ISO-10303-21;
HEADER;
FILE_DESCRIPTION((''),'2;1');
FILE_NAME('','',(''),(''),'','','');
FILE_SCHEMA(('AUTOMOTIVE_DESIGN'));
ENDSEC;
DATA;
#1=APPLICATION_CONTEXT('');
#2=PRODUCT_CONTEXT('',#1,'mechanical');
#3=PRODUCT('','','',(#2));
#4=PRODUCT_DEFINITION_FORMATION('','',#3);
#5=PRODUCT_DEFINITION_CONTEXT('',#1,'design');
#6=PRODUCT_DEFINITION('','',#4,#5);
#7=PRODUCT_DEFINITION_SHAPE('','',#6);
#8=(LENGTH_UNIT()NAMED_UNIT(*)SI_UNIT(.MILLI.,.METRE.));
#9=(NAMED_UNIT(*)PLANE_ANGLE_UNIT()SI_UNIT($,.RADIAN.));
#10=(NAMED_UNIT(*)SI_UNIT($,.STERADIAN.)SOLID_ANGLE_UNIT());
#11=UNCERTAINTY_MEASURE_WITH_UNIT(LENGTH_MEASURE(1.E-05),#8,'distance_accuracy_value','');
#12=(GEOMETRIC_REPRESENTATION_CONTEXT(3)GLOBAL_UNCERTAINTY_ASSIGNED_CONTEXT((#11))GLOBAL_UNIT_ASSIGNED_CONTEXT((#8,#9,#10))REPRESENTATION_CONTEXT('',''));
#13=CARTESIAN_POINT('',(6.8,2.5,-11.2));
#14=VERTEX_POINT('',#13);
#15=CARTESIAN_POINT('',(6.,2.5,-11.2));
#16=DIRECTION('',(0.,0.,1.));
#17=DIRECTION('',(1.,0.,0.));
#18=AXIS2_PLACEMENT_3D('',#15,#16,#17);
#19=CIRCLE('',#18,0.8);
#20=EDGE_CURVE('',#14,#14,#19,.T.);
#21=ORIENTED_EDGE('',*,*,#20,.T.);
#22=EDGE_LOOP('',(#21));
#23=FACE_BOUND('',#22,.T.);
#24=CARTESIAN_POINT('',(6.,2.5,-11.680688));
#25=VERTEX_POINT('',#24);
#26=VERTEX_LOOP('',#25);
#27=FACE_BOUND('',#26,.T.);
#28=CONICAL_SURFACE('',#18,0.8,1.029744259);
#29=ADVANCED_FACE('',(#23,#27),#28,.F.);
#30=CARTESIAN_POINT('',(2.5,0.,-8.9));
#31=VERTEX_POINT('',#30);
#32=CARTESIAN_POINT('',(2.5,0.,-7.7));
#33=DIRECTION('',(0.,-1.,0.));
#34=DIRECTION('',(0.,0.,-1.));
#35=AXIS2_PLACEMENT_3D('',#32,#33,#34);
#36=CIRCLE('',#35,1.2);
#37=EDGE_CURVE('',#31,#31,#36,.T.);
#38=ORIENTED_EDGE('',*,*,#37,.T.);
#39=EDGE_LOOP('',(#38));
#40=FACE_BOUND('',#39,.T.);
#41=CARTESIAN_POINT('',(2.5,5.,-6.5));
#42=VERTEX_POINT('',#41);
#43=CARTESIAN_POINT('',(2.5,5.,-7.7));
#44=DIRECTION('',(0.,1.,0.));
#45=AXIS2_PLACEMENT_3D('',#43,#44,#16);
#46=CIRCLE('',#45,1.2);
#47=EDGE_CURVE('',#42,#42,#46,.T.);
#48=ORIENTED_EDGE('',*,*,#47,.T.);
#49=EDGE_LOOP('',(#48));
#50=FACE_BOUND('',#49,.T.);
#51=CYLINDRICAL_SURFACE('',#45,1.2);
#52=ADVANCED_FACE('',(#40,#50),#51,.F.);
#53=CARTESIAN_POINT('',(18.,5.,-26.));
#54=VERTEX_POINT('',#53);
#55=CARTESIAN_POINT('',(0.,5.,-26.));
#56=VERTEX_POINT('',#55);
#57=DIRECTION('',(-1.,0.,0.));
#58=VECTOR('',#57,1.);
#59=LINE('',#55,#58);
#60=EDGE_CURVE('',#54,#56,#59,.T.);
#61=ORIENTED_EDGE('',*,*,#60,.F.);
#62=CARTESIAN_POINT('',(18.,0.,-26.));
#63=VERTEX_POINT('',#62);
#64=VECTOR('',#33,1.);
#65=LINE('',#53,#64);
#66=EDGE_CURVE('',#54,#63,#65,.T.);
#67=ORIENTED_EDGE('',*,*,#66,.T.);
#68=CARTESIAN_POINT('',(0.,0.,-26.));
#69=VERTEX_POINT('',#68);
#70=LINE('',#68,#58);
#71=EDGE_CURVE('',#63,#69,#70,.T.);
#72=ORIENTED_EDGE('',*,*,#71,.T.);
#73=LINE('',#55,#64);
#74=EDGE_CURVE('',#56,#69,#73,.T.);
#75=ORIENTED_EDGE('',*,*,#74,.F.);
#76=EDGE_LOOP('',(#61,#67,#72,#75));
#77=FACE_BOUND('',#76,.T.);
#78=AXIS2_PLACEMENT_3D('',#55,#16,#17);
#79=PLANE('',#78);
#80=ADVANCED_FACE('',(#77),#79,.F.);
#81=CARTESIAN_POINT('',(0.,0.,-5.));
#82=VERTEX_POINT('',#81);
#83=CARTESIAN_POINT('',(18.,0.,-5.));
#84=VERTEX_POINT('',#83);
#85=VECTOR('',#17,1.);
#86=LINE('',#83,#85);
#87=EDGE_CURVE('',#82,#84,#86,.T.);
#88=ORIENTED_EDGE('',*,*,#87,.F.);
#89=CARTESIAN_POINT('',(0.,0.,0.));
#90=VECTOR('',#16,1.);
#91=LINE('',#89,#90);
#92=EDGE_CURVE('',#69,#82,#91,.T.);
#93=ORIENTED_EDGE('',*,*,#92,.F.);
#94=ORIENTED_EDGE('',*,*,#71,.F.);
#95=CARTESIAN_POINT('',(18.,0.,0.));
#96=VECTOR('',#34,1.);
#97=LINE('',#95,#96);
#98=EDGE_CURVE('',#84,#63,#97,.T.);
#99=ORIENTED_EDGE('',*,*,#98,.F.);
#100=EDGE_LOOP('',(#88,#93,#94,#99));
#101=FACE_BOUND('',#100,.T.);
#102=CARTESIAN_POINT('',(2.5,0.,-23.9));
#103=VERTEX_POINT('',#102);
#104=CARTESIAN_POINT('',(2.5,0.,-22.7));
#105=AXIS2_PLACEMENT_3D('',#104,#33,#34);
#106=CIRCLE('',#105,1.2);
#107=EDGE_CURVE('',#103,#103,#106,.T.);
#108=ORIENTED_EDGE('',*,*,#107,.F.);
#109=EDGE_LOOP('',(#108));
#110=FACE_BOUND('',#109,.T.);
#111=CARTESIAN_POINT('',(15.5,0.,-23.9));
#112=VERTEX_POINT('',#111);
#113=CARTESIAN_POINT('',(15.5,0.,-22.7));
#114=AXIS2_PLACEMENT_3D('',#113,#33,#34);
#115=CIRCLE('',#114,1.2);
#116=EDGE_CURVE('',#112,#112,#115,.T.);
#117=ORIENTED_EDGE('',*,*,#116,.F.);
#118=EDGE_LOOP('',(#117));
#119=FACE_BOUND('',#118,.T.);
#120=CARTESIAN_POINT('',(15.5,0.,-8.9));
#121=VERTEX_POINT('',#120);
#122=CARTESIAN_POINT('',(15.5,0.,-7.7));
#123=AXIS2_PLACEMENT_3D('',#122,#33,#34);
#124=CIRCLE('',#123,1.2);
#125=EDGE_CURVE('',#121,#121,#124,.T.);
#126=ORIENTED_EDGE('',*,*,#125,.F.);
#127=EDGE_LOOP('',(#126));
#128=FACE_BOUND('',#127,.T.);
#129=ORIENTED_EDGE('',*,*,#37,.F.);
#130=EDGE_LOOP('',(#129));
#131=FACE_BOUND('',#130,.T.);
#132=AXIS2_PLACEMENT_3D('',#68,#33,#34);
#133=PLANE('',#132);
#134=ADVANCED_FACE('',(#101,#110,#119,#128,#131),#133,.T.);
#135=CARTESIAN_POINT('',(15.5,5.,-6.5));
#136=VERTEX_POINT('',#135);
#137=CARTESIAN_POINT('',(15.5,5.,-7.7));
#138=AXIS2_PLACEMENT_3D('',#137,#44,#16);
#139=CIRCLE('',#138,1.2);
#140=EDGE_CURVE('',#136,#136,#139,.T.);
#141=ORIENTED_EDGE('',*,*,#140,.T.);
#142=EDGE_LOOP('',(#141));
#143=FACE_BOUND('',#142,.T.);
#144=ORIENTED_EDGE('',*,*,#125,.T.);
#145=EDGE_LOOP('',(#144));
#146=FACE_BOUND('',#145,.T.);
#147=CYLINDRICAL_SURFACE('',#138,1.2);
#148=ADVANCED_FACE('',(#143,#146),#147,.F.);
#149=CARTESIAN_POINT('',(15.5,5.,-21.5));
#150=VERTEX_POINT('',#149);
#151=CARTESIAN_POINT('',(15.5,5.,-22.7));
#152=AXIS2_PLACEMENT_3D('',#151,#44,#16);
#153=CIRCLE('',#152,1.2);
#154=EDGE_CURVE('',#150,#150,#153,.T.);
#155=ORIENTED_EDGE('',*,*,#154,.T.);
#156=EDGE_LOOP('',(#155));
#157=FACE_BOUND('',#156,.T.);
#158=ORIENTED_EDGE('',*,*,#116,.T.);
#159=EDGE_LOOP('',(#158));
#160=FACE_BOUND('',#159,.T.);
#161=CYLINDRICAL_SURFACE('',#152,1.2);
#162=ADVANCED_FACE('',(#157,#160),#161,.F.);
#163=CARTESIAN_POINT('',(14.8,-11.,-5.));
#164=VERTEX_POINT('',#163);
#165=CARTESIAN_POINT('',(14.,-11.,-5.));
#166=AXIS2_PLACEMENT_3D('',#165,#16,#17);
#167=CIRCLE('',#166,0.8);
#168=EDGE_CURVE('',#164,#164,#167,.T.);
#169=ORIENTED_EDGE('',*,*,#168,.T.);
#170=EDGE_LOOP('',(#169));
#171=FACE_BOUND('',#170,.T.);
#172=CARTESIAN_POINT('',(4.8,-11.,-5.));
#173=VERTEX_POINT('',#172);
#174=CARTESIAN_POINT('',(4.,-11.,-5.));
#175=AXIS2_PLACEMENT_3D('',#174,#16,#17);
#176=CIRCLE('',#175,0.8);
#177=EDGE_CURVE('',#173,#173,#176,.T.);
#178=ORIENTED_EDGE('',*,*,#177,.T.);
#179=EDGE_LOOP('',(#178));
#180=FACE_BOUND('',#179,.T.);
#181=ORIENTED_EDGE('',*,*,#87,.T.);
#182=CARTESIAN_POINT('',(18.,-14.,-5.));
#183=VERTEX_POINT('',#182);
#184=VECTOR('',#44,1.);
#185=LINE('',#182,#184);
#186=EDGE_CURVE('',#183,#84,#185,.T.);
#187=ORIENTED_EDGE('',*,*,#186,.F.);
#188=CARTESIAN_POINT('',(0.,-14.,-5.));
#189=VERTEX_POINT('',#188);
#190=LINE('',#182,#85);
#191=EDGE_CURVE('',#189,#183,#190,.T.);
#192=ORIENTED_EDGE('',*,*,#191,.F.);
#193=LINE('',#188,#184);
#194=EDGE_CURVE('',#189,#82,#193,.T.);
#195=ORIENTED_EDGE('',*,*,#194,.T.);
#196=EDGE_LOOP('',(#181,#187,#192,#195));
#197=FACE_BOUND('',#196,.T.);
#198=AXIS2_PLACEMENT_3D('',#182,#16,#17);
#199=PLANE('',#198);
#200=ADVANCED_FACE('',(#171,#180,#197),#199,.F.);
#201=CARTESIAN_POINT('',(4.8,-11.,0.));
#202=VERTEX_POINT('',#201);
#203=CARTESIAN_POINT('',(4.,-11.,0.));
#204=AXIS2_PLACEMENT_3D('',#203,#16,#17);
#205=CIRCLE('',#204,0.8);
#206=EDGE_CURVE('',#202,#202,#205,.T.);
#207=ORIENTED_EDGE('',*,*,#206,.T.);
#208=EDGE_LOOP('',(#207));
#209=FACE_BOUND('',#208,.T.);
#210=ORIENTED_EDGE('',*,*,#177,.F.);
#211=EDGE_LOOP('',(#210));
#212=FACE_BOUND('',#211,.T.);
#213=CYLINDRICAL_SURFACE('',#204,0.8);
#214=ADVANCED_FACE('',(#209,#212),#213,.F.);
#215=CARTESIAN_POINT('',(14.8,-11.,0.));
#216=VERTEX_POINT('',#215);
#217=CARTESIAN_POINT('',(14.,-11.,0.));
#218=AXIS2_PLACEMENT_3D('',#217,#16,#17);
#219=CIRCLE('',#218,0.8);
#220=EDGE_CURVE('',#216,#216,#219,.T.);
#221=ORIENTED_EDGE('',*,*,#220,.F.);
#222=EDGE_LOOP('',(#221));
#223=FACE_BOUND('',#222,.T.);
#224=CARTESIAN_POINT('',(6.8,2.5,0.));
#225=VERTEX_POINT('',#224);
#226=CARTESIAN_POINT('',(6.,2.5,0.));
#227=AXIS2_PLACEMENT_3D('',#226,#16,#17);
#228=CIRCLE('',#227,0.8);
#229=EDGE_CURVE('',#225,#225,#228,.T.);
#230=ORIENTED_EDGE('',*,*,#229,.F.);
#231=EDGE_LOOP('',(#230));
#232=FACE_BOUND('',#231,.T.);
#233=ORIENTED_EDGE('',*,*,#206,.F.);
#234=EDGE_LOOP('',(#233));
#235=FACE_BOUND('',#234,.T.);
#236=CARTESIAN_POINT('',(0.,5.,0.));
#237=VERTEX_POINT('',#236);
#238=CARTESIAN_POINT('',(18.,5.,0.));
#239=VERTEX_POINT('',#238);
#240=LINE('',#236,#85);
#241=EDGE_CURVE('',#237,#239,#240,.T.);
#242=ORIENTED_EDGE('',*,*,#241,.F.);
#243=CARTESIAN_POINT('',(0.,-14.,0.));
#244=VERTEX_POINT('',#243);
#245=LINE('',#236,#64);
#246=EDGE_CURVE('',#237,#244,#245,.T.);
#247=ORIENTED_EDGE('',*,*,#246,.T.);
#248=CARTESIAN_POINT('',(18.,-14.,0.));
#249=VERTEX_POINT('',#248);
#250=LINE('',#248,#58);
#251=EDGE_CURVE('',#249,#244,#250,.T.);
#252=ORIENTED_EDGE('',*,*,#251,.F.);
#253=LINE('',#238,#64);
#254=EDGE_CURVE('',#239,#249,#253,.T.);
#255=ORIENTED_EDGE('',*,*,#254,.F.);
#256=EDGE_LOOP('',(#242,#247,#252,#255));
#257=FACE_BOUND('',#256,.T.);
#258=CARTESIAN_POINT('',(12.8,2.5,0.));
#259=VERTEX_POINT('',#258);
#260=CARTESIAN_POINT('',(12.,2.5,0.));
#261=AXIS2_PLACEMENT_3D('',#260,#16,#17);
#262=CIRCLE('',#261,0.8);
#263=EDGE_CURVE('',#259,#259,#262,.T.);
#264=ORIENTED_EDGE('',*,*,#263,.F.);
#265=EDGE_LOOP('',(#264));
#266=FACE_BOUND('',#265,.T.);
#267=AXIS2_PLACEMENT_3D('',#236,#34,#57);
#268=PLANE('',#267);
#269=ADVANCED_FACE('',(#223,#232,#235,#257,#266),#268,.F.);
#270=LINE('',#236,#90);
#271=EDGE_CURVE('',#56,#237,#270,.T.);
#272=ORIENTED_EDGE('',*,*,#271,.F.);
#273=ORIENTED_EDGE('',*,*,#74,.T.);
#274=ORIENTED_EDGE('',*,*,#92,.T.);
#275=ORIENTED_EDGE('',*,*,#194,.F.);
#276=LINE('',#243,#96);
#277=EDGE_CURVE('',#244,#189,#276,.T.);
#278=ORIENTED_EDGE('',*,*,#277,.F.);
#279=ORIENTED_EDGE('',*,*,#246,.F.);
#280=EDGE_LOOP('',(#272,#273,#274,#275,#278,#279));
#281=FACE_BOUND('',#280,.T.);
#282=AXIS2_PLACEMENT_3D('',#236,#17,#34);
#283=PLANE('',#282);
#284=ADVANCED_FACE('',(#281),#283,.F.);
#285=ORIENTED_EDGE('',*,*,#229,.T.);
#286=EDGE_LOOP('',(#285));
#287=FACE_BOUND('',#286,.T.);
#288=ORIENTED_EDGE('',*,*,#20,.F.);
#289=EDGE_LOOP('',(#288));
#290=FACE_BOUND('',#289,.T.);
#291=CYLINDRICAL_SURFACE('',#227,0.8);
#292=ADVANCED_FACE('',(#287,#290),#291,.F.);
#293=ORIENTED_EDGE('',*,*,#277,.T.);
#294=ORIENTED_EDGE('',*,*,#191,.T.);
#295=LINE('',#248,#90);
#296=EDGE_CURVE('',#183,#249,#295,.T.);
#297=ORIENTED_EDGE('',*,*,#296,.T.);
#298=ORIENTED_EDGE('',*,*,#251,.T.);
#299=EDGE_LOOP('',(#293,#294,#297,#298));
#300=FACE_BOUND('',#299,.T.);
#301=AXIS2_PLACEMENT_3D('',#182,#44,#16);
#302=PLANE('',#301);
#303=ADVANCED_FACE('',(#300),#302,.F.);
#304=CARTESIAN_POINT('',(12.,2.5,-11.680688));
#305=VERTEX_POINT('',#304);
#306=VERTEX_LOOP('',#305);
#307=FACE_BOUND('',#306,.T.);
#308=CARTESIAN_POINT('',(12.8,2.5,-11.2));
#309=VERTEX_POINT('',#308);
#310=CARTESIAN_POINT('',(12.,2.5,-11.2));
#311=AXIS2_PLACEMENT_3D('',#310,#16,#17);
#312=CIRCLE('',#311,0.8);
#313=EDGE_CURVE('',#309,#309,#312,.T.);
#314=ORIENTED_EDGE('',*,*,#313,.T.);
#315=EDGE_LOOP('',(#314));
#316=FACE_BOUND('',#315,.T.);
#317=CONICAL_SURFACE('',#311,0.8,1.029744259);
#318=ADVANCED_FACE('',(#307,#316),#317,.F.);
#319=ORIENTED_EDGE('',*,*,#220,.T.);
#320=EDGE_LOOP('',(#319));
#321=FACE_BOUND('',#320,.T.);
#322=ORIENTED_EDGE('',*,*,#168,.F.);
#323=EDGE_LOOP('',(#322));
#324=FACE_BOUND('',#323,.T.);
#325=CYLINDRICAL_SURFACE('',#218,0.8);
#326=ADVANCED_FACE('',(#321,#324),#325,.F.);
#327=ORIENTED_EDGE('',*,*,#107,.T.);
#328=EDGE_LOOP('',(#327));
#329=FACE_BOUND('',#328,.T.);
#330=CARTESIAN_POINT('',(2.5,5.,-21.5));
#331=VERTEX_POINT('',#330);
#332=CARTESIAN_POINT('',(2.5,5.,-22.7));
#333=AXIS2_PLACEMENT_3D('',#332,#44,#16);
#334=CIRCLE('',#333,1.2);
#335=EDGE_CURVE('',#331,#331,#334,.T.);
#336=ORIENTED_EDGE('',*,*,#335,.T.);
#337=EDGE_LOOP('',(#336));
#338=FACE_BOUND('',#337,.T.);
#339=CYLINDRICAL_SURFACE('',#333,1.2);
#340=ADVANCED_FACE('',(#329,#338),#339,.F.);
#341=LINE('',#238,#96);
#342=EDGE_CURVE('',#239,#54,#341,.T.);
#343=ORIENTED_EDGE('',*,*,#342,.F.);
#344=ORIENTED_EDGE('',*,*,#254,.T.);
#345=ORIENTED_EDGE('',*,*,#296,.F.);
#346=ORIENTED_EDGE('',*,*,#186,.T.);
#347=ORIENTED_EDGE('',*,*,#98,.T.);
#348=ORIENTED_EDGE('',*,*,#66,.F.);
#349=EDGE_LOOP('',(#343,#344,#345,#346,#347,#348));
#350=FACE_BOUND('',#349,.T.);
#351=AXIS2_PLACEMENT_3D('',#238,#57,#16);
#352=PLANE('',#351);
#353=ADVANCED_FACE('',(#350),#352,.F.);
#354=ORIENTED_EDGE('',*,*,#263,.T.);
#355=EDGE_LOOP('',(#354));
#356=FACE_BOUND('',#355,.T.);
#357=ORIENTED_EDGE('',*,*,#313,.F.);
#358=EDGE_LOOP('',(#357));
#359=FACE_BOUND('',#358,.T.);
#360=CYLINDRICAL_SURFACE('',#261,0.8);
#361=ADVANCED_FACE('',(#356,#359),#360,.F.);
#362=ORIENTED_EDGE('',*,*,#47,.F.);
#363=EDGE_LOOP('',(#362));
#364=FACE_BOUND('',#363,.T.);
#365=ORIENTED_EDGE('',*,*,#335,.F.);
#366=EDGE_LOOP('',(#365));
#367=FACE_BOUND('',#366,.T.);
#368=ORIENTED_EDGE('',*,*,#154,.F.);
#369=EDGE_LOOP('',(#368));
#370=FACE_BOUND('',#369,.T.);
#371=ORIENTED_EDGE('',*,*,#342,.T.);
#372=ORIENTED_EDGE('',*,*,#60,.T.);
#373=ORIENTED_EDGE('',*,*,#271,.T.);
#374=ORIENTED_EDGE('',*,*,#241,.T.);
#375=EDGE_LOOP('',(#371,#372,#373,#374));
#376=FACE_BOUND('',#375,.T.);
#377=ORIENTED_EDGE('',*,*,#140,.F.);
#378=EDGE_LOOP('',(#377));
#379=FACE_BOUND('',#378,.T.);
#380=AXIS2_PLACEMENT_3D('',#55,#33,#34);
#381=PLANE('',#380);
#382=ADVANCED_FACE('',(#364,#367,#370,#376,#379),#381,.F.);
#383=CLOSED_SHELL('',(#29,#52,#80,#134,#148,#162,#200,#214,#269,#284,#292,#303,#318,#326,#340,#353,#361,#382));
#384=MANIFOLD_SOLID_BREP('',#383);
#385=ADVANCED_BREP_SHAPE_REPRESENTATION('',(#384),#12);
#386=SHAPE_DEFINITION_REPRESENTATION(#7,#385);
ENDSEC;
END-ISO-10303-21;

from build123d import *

# Parameters (mm, degrees)
SKETCH1_W                = 18
SKETCH1_H                = 26
BOSS_EXTRUDE1_DEPTH      = 5
SKETCH2_W                = 18
SKETCH2_H                = 5
BOSS_EXTRUDE2_DEPTH      = 14
M2_CLEARANCE_HOLE1_D     = 2.4
M2_CLEARANCE_HOLE1_DEPTH = 10
M2_CLEARANCE_HOLE1_TIP   = 0.721032743
M2_TAPPED_HOLE1_D        = 1.6
M2_TAPPED_HOLE1_DEPTH    = 11.2
M2_TAPPED_HOLE1_TIP      = 0.480688495


with BuildPart() as part:
    # Sketch1 → Boss-Extrude1 (new body)
    with BuildSketch(Plane(origin=(0, 0, 0), x_dir=(1, 0, 0), z_dir=(0, 1, 0))):
        with Locations((9, 13)):
            Rectangle(SKETCH1_W, SKETCH1_H)
    extrude(amount=BOSS_EXTRUDE1_DEPTH)

    # Sketch2 → Boss-Extrude2 (add)
    with BuildSketch(Plane.XZ):
        with Locations((9, -2.5)):
            Rectangle(SKETCH2_W, SKETCH2_H)
    extrude(amount=BOSS_EXTRUDE2_DEPTH)

    # M2 Clearance Hole1
    with Locations(Plane(origin=(2.5, 5, -7.7), x_dir=(0, 0, 1), z_dir=(0, 1, 0))):
        with Locations((0, 0), (-15, 0), (-15, 13), (0, 13)):
            Hole(M2_CLEARANCE_HOLE1_D / 2, depth=M2_CLEARANCE_HOLE1_DEPTH)
            with Locations((0, 0, -(M2_CLEARANCE_HOLE1_DEPTH + M2_CLEARANCE_HOLE1_TIP / 2))):  # 118° drill point
                Cone(0, M2_CLEARANCE_HOLE1_D / 2, M2_CLEARANCE_HOLE1_TIP, mode=Mode.SUBTRACT)

    # M2 Tapped Hole1
    with Locations(Plane.XY):
        with Locations((6, 2.5), (12, 2.5), (4, -11), (14, -11)):
            Hole(M2_TAPPED_HOLE1_D / 2, depth=M2_TAPPED_HOLE1_DEPTH)
            with Locations((0, 0, -(M2_TAPPED_HOLE1_DEPTH + M2_TAPPED_HOLE1_TIP / 2))):  # 118° drill point
                Cone(0, M2_TAPPED_HOLE1_D / 2, M2_TAPPED_HOLE1_TIP, mode=Mode.SUBTRACT)


solid = part.part
